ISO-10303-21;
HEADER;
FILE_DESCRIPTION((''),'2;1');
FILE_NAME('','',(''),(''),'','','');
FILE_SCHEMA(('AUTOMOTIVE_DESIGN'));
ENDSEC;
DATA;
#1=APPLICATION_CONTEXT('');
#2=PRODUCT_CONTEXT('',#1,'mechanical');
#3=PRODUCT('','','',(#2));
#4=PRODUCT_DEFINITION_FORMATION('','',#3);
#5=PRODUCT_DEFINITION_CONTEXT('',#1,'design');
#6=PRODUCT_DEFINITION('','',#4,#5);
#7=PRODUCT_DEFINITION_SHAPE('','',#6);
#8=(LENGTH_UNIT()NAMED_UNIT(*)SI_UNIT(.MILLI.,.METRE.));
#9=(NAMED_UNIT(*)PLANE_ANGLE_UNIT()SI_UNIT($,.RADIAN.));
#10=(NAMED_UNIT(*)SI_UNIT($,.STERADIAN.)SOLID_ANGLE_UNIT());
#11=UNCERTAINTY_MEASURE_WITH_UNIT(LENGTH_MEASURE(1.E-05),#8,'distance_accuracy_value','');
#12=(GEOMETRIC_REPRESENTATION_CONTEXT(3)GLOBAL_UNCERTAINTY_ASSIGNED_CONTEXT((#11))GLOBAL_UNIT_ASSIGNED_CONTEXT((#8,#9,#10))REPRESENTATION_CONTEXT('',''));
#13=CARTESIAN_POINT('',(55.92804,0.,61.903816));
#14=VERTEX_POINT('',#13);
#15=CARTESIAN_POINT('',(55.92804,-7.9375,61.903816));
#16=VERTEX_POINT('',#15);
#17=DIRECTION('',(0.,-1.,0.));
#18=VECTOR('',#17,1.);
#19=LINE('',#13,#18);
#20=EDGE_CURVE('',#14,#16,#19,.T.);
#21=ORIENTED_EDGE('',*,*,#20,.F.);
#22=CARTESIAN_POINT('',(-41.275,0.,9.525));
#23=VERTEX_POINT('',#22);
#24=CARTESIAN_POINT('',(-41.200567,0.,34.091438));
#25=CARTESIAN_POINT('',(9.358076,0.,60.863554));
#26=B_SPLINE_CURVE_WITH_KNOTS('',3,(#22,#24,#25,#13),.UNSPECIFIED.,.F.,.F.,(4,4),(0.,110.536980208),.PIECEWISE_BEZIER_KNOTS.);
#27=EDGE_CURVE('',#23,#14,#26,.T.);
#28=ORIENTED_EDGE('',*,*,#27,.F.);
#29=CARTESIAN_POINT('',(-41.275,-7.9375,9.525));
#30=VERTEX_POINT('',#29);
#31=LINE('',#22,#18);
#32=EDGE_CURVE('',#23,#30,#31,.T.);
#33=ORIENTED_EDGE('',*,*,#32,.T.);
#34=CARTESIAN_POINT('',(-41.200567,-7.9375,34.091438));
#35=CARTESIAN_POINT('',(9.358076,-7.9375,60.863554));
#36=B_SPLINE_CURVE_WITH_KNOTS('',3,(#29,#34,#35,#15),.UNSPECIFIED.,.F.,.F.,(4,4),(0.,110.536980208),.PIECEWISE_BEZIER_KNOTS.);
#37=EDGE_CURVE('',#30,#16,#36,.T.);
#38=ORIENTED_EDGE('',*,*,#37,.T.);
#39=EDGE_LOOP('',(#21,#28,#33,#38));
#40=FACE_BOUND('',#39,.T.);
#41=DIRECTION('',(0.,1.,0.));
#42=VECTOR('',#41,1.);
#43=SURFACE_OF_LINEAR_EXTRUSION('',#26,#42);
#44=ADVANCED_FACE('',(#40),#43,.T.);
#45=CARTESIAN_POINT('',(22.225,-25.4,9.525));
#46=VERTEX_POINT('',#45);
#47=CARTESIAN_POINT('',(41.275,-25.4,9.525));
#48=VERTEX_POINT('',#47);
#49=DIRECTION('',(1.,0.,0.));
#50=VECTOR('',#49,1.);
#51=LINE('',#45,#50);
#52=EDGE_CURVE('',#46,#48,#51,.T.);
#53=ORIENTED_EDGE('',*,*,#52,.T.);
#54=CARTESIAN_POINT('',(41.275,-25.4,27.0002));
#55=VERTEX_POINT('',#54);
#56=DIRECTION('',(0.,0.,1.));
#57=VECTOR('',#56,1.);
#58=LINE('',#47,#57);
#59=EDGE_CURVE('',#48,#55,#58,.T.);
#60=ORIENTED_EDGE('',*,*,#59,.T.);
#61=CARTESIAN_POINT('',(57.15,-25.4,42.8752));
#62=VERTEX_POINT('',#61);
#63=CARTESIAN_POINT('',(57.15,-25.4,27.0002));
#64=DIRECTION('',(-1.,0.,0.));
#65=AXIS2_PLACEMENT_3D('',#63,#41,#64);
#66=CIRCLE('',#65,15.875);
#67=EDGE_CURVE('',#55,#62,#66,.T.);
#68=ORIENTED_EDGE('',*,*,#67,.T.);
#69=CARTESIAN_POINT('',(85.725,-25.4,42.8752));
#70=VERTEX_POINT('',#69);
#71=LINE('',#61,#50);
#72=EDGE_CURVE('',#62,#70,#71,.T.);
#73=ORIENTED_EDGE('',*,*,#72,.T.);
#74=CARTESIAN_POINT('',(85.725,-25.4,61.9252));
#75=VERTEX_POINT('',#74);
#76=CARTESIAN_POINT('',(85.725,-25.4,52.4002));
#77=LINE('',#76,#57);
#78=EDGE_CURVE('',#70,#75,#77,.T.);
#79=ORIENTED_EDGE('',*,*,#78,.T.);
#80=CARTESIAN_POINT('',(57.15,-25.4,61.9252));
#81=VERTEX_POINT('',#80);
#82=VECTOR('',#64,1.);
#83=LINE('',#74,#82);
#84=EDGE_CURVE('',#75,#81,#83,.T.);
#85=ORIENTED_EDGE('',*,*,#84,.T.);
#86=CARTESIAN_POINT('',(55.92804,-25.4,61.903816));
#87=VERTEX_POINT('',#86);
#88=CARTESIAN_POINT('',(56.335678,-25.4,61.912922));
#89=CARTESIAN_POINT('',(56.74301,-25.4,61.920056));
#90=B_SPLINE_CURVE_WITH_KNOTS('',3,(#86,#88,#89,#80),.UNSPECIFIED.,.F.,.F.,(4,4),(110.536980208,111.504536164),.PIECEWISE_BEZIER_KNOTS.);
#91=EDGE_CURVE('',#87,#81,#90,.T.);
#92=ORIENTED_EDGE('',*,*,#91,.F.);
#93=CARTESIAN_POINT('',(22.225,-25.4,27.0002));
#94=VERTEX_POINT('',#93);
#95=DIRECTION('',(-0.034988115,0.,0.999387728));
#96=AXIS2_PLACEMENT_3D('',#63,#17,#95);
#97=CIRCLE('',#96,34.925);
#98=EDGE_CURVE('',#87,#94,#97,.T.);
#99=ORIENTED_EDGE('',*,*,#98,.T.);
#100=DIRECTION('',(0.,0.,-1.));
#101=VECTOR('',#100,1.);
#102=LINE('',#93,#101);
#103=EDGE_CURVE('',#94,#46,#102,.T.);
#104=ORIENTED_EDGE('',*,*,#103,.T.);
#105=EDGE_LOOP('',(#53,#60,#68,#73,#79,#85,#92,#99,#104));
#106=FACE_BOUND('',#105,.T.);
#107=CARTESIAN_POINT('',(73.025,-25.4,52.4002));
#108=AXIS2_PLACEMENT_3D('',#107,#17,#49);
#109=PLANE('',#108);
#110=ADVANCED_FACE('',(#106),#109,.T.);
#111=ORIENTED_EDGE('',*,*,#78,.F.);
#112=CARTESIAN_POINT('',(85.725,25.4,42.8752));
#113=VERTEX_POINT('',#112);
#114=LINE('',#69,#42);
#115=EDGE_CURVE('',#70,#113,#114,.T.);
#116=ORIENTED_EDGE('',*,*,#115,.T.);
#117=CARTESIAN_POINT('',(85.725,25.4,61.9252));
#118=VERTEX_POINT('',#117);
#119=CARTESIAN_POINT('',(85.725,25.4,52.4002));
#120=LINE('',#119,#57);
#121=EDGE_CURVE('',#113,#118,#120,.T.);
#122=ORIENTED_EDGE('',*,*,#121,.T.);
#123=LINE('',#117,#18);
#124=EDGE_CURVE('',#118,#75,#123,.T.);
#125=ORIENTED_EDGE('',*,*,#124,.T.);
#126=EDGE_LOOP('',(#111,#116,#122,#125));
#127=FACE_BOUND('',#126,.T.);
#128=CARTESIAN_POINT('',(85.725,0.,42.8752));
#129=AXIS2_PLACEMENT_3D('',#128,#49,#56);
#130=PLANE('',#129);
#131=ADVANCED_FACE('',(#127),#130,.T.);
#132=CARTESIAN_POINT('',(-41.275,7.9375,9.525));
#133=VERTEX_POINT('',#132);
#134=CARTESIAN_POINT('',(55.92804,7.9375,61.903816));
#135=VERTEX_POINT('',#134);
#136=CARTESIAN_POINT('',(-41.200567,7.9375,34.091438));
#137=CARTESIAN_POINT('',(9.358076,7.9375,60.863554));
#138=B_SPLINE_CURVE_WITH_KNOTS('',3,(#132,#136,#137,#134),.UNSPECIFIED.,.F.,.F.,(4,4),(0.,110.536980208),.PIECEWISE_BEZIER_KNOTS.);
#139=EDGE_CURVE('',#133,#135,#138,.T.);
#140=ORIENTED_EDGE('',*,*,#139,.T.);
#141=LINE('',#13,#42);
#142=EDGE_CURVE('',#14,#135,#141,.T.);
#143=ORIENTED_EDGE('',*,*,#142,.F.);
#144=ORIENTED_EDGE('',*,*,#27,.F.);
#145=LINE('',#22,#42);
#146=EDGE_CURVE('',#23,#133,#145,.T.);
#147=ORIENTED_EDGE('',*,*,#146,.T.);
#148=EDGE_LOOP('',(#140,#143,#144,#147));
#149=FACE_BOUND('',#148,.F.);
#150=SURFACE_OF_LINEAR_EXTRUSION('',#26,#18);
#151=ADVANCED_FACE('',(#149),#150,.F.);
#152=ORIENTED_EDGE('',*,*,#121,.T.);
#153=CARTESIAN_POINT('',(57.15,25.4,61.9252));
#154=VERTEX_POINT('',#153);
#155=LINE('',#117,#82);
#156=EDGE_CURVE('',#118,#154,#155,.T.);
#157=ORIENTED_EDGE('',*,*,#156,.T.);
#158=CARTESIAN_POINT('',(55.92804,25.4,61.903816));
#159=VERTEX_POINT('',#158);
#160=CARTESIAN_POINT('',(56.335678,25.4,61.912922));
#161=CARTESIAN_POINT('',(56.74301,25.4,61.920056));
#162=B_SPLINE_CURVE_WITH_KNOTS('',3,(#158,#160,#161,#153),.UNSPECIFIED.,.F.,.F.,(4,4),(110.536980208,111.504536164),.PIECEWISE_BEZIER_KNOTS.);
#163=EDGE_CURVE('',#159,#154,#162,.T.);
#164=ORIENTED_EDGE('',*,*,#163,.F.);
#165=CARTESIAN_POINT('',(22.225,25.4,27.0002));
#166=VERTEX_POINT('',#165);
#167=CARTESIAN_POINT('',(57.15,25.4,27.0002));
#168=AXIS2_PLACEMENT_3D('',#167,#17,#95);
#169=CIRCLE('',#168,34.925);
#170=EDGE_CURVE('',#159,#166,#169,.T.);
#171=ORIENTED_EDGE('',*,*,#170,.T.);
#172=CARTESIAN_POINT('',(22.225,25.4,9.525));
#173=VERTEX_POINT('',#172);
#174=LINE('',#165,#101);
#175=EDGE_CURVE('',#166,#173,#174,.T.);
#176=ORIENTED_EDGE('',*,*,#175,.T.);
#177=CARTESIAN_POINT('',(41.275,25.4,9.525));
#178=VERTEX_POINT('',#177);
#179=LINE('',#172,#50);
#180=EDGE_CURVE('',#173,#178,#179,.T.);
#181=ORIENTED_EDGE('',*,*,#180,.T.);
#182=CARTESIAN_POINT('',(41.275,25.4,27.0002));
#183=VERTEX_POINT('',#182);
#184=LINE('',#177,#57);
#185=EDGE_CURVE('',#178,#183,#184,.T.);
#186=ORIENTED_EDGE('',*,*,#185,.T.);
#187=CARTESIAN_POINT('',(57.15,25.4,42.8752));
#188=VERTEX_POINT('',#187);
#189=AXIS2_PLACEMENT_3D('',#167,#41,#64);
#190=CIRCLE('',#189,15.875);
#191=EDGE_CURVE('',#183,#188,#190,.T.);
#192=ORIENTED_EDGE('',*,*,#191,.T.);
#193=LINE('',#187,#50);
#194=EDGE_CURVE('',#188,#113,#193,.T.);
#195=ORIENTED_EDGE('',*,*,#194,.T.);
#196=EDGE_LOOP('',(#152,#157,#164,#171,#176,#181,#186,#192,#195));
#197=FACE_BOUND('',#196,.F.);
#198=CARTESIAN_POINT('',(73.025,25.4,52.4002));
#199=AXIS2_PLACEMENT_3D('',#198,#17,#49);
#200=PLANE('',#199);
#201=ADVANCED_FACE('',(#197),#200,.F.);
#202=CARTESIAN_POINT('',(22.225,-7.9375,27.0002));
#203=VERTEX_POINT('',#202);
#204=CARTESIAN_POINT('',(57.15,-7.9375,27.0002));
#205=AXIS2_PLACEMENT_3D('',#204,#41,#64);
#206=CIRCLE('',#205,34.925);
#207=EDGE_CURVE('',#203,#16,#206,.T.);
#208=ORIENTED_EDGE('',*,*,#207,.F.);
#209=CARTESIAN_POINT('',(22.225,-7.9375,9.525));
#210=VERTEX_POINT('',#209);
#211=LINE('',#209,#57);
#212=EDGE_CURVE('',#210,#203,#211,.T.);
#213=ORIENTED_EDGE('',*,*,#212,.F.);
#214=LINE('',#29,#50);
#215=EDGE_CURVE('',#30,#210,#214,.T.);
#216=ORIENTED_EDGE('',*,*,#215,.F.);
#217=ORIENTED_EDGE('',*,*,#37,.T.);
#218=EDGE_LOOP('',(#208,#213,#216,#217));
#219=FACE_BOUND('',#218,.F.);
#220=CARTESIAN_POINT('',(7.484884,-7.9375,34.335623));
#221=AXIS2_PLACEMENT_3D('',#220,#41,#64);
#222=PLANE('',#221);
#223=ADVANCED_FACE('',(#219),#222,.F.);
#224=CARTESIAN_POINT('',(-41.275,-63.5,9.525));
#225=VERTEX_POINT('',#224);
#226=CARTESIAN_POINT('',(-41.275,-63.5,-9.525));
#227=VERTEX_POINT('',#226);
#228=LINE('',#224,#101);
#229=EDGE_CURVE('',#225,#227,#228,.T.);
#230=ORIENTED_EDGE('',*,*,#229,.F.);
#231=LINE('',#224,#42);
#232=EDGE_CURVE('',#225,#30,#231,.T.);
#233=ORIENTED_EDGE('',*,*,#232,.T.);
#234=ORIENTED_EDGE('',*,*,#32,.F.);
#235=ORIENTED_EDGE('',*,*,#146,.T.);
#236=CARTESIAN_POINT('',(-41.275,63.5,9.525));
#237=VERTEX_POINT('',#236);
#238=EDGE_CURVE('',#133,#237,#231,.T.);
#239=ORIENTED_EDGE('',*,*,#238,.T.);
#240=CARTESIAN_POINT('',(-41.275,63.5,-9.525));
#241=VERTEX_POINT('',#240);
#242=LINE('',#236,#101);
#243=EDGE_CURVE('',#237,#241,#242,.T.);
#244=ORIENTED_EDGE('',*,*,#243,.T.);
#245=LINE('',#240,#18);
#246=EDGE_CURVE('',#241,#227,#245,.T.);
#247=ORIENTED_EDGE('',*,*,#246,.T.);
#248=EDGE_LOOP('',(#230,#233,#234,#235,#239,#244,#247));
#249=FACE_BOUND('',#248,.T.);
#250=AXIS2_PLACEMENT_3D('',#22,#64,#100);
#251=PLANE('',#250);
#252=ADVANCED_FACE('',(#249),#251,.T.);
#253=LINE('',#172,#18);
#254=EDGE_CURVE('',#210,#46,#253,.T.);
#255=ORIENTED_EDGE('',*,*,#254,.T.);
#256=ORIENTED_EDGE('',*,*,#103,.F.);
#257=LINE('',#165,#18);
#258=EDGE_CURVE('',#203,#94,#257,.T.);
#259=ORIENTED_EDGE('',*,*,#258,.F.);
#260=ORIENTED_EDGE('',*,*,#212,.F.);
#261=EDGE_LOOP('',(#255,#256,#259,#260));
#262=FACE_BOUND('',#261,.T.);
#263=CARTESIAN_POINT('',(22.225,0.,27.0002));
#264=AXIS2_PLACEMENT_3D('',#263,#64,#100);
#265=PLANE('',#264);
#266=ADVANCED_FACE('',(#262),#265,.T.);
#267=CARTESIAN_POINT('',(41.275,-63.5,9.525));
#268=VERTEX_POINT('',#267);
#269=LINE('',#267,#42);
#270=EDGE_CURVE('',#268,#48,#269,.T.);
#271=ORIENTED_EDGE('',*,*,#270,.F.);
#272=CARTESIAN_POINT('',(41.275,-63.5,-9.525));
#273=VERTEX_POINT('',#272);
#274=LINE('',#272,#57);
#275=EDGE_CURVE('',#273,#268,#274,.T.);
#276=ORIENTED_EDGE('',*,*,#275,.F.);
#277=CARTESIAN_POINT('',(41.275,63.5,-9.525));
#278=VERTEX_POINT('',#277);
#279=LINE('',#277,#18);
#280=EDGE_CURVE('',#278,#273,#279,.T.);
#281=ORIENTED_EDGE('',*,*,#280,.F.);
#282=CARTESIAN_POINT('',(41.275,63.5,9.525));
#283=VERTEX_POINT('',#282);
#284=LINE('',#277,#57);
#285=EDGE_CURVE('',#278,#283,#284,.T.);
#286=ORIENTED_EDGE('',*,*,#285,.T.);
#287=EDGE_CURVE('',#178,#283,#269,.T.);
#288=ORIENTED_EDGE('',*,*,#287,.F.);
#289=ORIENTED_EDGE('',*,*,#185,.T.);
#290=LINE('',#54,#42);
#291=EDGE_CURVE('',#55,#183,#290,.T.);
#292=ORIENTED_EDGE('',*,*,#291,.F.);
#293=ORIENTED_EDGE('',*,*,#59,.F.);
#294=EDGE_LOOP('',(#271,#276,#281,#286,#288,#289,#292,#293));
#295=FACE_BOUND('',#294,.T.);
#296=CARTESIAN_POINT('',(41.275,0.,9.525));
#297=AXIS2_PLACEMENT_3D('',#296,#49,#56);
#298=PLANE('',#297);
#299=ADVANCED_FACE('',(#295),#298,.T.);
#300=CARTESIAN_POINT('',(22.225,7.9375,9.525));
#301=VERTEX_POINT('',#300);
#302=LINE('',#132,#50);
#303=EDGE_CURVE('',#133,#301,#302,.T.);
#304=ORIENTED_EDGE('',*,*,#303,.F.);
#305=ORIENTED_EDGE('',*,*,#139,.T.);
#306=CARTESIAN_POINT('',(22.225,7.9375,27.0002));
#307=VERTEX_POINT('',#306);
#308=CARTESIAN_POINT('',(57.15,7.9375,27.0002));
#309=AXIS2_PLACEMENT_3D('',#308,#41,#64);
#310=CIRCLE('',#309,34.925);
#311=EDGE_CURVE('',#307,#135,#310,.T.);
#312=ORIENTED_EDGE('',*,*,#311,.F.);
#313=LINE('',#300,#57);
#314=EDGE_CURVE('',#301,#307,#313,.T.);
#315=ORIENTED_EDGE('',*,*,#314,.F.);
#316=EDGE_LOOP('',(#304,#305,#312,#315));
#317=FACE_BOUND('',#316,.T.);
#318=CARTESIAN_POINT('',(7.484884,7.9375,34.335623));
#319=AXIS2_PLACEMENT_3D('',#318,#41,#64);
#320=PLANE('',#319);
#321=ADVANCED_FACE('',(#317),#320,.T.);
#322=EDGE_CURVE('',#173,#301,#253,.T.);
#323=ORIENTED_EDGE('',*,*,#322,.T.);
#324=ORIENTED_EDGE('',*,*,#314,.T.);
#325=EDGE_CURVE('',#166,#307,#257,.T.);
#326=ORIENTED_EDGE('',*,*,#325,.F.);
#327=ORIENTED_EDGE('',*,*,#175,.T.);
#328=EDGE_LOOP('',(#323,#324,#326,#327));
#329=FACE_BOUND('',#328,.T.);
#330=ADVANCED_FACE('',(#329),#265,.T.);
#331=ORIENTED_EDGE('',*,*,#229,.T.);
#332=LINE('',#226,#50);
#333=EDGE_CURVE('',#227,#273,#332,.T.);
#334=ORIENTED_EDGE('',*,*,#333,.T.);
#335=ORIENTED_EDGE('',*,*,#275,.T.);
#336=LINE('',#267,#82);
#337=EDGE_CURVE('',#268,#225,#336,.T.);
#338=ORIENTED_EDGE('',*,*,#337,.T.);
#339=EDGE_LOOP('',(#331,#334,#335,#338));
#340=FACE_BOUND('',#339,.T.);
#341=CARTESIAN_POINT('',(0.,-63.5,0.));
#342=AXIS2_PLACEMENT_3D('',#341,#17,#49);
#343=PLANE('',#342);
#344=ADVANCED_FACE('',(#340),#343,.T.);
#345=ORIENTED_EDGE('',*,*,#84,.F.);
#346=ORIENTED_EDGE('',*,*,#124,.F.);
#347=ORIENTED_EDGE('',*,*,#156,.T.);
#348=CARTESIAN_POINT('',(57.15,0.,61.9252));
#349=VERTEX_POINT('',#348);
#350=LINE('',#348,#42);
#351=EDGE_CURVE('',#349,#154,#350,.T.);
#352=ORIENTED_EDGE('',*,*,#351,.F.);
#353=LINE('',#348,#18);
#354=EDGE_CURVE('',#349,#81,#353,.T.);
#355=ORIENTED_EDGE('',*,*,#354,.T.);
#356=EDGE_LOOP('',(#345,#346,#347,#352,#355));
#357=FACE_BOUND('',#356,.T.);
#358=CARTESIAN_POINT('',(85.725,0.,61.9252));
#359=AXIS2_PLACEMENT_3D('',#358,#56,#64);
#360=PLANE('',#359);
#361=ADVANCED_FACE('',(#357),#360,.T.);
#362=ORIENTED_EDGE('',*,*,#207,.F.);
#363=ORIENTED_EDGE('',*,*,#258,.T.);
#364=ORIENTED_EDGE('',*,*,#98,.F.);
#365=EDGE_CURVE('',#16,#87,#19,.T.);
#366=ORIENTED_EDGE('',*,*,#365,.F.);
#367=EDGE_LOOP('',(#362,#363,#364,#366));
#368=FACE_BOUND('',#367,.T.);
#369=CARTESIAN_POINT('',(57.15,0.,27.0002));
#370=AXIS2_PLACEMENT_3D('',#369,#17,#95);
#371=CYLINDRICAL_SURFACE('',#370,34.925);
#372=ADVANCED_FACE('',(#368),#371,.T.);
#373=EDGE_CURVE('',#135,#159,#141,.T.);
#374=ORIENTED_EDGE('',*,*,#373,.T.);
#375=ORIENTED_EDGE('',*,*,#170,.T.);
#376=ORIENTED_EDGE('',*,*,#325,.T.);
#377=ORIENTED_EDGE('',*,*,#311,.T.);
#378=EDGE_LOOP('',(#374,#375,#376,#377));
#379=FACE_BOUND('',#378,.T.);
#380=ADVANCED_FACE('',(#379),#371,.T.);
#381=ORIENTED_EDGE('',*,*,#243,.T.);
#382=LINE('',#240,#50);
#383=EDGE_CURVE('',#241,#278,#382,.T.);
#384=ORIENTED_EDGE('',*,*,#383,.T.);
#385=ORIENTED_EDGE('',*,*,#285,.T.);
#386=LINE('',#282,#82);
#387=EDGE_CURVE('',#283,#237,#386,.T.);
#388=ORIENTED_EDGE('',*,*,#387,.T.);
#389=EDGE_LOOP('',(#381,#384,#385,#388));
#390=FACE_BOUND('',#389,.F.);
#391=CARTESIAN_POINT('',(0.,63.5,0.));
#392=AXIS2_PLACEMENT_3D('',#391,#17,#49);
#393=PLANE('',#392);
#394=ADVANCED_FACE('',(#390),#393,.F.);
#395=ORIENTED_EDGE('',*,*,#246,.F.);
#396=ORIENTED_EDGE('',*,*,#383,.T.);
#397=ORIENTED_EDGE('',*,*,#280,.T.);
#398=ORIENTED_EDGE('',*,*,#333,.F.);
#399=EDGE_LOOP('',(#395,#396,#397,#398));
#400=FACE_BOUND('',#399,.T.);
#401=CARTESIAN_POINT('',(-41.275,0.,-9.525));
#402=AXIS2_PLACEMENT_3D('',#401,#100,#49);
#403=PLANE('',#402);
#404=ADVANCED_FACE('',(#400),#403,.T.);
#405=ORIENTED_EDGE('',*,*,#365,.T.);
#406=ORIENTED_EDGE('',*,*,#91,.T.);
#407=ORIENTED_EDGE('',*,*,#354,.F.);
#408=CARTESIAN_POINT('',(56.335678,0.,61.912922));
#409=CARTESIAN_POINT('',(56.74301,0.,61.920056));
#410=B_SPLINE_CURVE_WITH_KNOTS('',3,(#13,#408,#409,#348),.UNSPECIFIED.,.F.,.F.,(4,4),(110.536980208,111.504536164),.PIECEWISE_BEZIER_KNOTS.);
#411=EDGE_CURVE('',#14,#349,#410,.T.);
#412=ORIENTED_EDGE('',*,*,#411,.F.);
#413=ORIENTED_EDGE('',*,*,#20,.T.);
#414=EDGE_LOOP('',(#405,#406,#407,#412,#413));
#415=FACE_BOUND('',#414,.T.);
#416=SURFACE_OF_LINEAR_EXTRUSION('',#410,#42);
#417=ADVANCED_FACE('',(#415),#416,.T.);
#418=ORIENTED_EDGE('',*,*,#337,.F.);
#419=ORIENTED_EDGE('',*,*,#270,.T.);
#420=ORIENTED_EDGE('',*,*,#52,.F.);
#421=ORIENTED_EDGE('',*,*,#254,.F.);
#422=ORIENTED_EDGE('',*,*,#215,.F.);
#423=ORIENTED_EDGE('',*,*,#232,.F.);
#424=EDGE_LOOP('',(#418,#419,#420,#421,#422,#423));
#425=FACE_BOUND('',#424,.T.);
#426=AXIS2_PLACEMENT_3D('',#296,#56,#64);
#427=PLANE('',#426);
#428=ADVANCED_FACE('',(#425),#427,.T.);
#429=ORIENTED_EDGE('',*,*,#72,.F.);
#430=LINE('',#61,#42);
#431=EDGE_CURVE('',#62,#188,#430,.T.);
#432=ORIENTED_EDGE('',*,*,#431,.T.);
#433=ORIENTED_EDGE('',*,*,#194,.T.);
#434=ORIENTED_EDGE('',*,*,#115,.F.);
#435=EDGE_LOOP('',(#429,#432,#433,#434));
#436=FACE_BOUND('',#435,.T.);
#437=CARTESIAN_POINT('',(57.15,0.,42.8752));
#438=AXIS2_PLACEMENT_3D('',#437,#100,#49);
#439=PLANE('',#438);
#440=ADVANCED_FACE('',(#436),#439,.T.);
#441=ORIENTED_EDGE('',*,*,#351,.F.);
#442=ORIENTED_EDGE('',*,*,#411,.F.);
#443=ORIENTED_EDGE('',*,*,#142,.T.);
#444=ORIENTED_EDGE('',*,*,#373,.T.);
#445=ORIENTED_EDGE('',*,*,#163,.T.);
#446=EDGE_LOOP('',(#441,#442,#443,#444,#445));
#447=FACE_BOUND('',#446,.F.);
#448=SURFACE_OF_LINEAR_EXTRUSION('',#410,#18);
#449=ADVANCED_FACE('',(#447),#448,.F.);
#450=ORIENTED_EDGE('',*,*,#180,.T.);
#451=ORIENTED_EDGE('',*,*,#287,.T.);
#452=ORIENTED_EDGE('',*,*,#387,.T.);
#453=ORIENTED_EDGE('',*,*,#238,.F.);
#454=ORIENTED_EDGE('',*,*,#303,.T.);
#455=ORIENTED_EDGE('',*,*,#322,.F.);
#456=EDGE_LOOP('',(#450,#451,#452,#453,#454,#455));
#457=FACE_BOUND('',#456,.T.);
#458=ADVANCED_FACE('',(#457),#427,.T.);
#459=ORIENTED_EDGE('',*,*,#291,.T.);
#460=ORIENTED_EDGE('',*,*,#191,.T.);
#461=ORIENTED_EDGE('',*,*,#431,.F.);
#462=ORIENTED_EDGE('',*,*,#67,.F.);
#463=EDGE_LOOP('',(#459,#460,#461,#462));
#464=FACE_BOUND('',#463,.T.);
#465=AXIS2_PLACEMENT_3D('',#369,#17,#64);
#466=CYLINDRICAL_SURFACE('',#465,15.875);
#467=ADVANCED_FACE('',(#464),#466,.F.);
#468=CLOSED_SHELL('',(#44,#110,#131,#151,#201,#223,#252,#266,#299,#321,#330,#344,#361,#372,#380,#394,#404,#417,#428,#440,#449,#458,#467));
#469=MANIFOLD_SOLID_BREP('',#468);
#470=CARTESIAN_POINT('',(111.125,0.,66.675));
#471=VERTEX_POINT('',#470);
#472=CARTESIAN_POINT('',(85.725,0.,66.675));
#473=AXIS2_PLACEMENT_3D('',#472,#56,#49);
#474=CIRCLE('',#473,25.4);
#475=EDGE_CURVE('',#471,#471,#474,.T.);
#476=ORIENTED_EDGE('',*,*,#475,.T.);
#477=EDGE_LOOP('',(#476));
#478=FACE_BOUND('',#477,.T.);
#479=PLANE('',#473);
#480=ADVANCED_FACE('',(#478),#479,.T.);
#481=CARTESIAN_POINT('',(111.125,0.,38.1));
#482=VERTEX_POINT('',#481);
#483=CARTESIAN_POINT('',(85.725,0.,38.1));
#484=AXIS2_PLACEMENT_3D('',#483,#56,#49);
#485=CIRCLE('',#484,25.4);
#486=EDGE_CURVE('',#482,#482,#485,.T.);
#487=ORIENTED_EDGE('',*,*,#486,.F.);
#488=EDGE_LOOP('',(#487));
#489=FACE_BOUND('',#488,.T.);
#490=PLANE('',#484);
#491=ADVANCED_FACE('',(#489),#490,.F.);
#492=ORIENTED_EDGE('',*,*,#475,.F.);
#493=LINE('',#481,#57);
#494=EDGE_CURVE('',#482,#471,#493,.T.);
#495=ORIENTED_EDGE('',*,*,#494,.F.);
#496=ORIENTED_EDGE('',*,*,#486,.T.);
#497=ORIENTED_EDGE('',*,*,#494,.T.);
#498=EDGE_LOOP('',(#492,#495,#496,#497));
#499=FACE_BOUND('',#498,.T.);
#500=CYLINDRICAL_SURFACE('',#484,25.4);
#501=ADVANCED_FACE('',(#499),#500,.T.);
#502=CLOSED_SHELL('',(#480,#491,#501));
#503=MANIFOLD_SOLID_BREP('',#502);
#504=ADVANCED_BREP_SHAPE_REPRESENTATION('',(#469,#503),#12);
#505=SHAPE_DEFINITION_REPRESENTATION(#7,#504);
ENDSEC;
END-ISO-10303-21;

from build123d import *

# Parameters (mm, degrees)
F1_DEPTH = 63.5
F2_DEPTH = 7.9375
F0_W     = 25.4
F0_H     = 19.05
F3_DEPTH = 25.4


with BuildPart() as f1:
    # F0 (on Front) → F1 (new body, symmetric)
    with BuildSketch(Plane.XZ):
        Polygon((22.225, 9.525), (-41.275, 9.525), (-41.275, -9.525), (41.275, -9.525), (41.275, 9.525), align=None)
    extrude(amount=F1_DEPTH, both=True)

    # F0 (on Front) → F2 (join, symmetric)
    with BuildSketch(Plane.XZ):
        with BuildLine():
            add(Edge.make_bspline(
                [(-41.275, 9.525), (-41.2005666436, 34.0914382692), (9.3580758383, 60.8635541986), (55.9280401004, 61.9038164173)],
                knots=[0, 0, 0, 0, 110.5369802085, 110.5369802085, 110.5369802085, 110.5369802085], degree=3))
            Line((-41.275, 9.525), (22.225, 9.525))
            Line((22.225, 9.525), (22.225, 27.0002))
            ThreePointArc((22.225, 27.0002), (32.025981865, 51.260029714), (55.9280401004, 61.9038164173))
        make_face()
    extrude(amount=F2_DEPTH, both=True)

    # F0 (on Front) → F3 (join, symmetric)
    with BuildSketch(Plane.XZ):
        with Locations((73.025, 52.4002)):
            Rectangle(F0_W, F0_H)
        with BuildLine():
            Line((22.225, 27.0002), (22.225, 9.525))
            Line((22.225, 9.525), (41.275, 9.525))
            Line((41.275, 9.525), (41.275, 27.0002))
            ThreePointArc((41.275, 27.0002), (45.9246798487, 38.2255201513), (57.15, 42.8752))
            Line((57.15, 42.8752), (60.325, 42.8752))
            Line((60.325, 42.8752), (60.325, 61.9252))
            Line((60.325, 61.9252), (57.15, 61.9252))
            add(Edge.make_bspline(
                [(55.9280401004, 61.9038164173), (56.3356778535, 61.912922075), (56.7430099977, 61.9200561814), (57.15, 61.9252)],
                knots=[110.5369802085, 110.5369802085, 110.5369802085, 110.5369802085, 111.5045361635, 111.5045361635, 111.5045361635, 111.5045361635], degree=3))
            ThreePointArc((55.9280401004, 61.9038164173), (32.025981865, 51.260029714), (22.225, 27.0002))
        make_face()
    extrude(amount=F3_DEPTH, both=True)


with BuildPart() as f4:
    # F0 (on Front) → F4 (revolve)
    with BuildSketch(Plane.XZ):
        Polygon((85.725, 66.675), (85.725, 61.9252), (85.725, 42.8752), (85.725, 38.1), (111.125, 38.1), (111.125, 66.675), align=None)
    revolve(axis=Axis((85.725, 0, 54.7751), (0, 0, 1)))


solid = Compound([f1.part, f4.part])
